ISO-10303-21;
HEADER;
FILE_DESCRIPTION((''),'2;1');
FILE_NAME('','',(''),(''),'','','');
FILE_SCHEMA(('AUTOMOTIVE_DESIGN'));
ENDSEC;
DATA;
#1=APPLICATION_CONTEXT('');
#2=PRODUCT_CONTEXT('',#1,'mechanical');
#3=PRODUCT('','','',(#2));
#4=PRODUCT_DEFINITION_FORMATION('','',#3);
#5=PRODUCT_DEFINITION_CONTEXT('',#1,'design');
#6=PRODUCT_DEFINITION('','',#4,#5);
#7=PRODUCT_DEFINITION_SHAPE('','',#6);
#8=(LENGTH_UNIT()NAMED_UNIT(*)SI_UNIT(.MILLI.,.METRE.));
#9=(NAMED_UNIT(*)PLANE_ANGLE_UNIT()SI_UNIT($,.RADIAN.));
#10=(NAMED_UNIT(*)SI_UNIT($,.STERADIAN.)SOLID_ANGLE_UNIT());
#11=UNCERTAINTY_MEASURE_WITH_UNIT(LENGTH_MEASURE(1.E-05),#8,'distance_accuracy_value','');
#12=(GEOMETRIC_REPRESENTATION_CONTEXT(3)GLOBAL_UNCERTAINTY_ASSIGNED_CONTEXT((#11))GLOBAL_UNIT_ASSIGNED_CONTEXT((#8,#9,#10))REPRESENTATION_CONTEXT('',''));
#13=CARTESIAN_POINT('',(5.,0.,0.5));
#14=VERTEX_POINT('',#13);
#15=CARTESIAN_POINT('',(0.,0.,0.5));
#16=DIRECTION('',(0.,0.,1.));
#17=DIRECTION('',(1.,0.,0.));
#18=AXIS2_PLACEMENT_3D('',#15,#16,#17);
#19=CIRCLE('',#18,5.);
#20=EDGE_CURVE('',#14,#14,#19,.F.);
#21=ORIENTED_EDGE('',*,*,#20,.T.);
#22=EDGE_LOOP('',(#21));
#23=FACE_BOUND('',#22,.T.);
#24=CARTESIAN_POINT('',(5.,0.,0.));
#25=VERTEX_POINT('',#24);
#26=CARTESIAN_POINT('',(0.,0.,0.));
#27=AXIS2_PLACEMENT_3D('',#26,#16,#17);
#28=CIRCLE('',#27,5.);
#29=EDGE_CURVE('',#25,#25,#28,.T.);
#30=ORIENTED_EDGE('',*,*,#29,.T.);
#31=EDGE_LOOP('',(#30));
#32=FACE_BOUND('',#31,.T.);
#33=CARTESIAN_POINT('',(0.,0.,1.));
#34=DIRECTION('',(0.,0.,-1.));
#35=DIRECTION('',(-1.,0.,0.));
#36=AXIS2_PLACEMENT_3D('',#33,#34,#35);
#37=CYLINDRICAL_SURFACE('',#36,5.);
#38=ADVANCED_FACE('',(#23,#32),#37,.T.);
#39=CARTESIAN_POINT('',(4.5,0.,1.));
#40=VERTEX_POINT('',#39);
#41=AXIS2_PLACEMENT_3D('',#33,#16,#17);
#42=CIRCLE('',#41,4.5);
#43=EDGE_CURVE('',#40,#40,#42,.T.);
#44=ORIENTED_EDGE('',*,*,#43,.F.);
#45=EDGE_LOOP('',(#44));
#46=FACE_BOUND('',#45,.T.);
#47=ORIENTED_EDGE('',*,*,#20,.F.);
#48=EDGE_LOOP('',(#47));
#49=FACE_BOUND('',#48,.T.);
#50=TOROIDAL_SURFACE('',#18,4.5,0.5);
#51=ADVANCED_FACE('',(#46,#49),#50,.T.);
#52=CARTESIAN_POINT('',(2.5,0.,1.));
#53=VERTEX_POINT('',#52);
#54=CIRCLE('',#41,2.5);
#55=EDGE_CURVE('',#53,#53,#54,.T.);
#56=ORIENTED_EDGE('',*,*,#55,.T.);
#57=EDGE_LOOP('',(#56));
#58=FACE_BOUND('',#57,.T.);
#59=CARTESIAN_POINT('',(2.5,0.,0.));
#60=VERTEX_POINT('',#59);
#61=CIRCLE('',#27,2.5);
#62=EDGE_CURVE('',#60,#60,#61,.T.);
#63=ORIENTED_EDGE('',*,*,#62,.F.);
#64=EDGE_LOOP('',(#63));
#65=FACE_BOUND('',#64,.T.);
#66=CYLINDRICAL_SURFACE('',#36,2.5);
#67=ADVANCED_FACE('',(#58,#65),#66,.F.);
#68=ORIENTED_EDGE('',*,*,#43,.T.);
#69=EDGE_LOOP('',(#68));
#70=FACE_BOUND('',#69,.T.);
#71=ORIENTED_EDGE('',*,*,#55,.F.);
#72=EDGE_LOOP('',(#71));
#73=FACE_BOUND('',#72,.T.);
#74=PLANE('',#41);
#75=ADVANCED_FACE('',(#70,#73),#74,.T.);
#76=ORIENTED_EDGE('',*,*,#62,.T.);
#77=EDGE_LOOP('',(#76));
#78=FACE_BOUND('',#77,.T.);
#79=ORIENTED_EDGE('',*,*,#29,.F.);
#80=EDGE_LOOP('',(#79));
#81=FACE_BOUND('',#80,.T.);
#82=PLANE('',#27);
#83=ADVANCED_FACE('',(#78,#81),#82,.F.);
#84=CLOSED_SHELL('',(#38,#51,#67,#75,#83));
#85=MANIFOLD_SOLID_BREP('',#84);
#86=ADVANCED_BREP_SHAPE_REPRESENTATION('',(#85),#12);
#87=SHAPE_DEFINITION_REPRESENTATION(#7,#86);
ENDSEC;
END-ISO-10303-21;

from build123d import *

# Parameters (mm, degrees)
CROQUIS1_R              = 5
CROQUIS1_R_2            = 2.5
SALIENTE_EXTRUIR1_DEPTH = 1
REDONDEO1_R             = 0.5


with BuildPart() as part:
    # Croquis1 → Saliente-Extruir1 (new body)
    with BuildSketch(Plane.XY):
        Circle(CROQUIS1_R)
        Circle(CROQUIS1_R_2, mode=Mode.SUBTRACT)
    extrude(amount=SALIENTE_EXTRUIR1_DEPTH)

    # Redondeo1
    redondeo1_edges = [part.edges().sort_by_distance(p)[0] for p in [
        (-5, 0, 1),
    ]]
    fillet(redondeo1_edges, radius=REDONDEO1_R)


solid = part.part
